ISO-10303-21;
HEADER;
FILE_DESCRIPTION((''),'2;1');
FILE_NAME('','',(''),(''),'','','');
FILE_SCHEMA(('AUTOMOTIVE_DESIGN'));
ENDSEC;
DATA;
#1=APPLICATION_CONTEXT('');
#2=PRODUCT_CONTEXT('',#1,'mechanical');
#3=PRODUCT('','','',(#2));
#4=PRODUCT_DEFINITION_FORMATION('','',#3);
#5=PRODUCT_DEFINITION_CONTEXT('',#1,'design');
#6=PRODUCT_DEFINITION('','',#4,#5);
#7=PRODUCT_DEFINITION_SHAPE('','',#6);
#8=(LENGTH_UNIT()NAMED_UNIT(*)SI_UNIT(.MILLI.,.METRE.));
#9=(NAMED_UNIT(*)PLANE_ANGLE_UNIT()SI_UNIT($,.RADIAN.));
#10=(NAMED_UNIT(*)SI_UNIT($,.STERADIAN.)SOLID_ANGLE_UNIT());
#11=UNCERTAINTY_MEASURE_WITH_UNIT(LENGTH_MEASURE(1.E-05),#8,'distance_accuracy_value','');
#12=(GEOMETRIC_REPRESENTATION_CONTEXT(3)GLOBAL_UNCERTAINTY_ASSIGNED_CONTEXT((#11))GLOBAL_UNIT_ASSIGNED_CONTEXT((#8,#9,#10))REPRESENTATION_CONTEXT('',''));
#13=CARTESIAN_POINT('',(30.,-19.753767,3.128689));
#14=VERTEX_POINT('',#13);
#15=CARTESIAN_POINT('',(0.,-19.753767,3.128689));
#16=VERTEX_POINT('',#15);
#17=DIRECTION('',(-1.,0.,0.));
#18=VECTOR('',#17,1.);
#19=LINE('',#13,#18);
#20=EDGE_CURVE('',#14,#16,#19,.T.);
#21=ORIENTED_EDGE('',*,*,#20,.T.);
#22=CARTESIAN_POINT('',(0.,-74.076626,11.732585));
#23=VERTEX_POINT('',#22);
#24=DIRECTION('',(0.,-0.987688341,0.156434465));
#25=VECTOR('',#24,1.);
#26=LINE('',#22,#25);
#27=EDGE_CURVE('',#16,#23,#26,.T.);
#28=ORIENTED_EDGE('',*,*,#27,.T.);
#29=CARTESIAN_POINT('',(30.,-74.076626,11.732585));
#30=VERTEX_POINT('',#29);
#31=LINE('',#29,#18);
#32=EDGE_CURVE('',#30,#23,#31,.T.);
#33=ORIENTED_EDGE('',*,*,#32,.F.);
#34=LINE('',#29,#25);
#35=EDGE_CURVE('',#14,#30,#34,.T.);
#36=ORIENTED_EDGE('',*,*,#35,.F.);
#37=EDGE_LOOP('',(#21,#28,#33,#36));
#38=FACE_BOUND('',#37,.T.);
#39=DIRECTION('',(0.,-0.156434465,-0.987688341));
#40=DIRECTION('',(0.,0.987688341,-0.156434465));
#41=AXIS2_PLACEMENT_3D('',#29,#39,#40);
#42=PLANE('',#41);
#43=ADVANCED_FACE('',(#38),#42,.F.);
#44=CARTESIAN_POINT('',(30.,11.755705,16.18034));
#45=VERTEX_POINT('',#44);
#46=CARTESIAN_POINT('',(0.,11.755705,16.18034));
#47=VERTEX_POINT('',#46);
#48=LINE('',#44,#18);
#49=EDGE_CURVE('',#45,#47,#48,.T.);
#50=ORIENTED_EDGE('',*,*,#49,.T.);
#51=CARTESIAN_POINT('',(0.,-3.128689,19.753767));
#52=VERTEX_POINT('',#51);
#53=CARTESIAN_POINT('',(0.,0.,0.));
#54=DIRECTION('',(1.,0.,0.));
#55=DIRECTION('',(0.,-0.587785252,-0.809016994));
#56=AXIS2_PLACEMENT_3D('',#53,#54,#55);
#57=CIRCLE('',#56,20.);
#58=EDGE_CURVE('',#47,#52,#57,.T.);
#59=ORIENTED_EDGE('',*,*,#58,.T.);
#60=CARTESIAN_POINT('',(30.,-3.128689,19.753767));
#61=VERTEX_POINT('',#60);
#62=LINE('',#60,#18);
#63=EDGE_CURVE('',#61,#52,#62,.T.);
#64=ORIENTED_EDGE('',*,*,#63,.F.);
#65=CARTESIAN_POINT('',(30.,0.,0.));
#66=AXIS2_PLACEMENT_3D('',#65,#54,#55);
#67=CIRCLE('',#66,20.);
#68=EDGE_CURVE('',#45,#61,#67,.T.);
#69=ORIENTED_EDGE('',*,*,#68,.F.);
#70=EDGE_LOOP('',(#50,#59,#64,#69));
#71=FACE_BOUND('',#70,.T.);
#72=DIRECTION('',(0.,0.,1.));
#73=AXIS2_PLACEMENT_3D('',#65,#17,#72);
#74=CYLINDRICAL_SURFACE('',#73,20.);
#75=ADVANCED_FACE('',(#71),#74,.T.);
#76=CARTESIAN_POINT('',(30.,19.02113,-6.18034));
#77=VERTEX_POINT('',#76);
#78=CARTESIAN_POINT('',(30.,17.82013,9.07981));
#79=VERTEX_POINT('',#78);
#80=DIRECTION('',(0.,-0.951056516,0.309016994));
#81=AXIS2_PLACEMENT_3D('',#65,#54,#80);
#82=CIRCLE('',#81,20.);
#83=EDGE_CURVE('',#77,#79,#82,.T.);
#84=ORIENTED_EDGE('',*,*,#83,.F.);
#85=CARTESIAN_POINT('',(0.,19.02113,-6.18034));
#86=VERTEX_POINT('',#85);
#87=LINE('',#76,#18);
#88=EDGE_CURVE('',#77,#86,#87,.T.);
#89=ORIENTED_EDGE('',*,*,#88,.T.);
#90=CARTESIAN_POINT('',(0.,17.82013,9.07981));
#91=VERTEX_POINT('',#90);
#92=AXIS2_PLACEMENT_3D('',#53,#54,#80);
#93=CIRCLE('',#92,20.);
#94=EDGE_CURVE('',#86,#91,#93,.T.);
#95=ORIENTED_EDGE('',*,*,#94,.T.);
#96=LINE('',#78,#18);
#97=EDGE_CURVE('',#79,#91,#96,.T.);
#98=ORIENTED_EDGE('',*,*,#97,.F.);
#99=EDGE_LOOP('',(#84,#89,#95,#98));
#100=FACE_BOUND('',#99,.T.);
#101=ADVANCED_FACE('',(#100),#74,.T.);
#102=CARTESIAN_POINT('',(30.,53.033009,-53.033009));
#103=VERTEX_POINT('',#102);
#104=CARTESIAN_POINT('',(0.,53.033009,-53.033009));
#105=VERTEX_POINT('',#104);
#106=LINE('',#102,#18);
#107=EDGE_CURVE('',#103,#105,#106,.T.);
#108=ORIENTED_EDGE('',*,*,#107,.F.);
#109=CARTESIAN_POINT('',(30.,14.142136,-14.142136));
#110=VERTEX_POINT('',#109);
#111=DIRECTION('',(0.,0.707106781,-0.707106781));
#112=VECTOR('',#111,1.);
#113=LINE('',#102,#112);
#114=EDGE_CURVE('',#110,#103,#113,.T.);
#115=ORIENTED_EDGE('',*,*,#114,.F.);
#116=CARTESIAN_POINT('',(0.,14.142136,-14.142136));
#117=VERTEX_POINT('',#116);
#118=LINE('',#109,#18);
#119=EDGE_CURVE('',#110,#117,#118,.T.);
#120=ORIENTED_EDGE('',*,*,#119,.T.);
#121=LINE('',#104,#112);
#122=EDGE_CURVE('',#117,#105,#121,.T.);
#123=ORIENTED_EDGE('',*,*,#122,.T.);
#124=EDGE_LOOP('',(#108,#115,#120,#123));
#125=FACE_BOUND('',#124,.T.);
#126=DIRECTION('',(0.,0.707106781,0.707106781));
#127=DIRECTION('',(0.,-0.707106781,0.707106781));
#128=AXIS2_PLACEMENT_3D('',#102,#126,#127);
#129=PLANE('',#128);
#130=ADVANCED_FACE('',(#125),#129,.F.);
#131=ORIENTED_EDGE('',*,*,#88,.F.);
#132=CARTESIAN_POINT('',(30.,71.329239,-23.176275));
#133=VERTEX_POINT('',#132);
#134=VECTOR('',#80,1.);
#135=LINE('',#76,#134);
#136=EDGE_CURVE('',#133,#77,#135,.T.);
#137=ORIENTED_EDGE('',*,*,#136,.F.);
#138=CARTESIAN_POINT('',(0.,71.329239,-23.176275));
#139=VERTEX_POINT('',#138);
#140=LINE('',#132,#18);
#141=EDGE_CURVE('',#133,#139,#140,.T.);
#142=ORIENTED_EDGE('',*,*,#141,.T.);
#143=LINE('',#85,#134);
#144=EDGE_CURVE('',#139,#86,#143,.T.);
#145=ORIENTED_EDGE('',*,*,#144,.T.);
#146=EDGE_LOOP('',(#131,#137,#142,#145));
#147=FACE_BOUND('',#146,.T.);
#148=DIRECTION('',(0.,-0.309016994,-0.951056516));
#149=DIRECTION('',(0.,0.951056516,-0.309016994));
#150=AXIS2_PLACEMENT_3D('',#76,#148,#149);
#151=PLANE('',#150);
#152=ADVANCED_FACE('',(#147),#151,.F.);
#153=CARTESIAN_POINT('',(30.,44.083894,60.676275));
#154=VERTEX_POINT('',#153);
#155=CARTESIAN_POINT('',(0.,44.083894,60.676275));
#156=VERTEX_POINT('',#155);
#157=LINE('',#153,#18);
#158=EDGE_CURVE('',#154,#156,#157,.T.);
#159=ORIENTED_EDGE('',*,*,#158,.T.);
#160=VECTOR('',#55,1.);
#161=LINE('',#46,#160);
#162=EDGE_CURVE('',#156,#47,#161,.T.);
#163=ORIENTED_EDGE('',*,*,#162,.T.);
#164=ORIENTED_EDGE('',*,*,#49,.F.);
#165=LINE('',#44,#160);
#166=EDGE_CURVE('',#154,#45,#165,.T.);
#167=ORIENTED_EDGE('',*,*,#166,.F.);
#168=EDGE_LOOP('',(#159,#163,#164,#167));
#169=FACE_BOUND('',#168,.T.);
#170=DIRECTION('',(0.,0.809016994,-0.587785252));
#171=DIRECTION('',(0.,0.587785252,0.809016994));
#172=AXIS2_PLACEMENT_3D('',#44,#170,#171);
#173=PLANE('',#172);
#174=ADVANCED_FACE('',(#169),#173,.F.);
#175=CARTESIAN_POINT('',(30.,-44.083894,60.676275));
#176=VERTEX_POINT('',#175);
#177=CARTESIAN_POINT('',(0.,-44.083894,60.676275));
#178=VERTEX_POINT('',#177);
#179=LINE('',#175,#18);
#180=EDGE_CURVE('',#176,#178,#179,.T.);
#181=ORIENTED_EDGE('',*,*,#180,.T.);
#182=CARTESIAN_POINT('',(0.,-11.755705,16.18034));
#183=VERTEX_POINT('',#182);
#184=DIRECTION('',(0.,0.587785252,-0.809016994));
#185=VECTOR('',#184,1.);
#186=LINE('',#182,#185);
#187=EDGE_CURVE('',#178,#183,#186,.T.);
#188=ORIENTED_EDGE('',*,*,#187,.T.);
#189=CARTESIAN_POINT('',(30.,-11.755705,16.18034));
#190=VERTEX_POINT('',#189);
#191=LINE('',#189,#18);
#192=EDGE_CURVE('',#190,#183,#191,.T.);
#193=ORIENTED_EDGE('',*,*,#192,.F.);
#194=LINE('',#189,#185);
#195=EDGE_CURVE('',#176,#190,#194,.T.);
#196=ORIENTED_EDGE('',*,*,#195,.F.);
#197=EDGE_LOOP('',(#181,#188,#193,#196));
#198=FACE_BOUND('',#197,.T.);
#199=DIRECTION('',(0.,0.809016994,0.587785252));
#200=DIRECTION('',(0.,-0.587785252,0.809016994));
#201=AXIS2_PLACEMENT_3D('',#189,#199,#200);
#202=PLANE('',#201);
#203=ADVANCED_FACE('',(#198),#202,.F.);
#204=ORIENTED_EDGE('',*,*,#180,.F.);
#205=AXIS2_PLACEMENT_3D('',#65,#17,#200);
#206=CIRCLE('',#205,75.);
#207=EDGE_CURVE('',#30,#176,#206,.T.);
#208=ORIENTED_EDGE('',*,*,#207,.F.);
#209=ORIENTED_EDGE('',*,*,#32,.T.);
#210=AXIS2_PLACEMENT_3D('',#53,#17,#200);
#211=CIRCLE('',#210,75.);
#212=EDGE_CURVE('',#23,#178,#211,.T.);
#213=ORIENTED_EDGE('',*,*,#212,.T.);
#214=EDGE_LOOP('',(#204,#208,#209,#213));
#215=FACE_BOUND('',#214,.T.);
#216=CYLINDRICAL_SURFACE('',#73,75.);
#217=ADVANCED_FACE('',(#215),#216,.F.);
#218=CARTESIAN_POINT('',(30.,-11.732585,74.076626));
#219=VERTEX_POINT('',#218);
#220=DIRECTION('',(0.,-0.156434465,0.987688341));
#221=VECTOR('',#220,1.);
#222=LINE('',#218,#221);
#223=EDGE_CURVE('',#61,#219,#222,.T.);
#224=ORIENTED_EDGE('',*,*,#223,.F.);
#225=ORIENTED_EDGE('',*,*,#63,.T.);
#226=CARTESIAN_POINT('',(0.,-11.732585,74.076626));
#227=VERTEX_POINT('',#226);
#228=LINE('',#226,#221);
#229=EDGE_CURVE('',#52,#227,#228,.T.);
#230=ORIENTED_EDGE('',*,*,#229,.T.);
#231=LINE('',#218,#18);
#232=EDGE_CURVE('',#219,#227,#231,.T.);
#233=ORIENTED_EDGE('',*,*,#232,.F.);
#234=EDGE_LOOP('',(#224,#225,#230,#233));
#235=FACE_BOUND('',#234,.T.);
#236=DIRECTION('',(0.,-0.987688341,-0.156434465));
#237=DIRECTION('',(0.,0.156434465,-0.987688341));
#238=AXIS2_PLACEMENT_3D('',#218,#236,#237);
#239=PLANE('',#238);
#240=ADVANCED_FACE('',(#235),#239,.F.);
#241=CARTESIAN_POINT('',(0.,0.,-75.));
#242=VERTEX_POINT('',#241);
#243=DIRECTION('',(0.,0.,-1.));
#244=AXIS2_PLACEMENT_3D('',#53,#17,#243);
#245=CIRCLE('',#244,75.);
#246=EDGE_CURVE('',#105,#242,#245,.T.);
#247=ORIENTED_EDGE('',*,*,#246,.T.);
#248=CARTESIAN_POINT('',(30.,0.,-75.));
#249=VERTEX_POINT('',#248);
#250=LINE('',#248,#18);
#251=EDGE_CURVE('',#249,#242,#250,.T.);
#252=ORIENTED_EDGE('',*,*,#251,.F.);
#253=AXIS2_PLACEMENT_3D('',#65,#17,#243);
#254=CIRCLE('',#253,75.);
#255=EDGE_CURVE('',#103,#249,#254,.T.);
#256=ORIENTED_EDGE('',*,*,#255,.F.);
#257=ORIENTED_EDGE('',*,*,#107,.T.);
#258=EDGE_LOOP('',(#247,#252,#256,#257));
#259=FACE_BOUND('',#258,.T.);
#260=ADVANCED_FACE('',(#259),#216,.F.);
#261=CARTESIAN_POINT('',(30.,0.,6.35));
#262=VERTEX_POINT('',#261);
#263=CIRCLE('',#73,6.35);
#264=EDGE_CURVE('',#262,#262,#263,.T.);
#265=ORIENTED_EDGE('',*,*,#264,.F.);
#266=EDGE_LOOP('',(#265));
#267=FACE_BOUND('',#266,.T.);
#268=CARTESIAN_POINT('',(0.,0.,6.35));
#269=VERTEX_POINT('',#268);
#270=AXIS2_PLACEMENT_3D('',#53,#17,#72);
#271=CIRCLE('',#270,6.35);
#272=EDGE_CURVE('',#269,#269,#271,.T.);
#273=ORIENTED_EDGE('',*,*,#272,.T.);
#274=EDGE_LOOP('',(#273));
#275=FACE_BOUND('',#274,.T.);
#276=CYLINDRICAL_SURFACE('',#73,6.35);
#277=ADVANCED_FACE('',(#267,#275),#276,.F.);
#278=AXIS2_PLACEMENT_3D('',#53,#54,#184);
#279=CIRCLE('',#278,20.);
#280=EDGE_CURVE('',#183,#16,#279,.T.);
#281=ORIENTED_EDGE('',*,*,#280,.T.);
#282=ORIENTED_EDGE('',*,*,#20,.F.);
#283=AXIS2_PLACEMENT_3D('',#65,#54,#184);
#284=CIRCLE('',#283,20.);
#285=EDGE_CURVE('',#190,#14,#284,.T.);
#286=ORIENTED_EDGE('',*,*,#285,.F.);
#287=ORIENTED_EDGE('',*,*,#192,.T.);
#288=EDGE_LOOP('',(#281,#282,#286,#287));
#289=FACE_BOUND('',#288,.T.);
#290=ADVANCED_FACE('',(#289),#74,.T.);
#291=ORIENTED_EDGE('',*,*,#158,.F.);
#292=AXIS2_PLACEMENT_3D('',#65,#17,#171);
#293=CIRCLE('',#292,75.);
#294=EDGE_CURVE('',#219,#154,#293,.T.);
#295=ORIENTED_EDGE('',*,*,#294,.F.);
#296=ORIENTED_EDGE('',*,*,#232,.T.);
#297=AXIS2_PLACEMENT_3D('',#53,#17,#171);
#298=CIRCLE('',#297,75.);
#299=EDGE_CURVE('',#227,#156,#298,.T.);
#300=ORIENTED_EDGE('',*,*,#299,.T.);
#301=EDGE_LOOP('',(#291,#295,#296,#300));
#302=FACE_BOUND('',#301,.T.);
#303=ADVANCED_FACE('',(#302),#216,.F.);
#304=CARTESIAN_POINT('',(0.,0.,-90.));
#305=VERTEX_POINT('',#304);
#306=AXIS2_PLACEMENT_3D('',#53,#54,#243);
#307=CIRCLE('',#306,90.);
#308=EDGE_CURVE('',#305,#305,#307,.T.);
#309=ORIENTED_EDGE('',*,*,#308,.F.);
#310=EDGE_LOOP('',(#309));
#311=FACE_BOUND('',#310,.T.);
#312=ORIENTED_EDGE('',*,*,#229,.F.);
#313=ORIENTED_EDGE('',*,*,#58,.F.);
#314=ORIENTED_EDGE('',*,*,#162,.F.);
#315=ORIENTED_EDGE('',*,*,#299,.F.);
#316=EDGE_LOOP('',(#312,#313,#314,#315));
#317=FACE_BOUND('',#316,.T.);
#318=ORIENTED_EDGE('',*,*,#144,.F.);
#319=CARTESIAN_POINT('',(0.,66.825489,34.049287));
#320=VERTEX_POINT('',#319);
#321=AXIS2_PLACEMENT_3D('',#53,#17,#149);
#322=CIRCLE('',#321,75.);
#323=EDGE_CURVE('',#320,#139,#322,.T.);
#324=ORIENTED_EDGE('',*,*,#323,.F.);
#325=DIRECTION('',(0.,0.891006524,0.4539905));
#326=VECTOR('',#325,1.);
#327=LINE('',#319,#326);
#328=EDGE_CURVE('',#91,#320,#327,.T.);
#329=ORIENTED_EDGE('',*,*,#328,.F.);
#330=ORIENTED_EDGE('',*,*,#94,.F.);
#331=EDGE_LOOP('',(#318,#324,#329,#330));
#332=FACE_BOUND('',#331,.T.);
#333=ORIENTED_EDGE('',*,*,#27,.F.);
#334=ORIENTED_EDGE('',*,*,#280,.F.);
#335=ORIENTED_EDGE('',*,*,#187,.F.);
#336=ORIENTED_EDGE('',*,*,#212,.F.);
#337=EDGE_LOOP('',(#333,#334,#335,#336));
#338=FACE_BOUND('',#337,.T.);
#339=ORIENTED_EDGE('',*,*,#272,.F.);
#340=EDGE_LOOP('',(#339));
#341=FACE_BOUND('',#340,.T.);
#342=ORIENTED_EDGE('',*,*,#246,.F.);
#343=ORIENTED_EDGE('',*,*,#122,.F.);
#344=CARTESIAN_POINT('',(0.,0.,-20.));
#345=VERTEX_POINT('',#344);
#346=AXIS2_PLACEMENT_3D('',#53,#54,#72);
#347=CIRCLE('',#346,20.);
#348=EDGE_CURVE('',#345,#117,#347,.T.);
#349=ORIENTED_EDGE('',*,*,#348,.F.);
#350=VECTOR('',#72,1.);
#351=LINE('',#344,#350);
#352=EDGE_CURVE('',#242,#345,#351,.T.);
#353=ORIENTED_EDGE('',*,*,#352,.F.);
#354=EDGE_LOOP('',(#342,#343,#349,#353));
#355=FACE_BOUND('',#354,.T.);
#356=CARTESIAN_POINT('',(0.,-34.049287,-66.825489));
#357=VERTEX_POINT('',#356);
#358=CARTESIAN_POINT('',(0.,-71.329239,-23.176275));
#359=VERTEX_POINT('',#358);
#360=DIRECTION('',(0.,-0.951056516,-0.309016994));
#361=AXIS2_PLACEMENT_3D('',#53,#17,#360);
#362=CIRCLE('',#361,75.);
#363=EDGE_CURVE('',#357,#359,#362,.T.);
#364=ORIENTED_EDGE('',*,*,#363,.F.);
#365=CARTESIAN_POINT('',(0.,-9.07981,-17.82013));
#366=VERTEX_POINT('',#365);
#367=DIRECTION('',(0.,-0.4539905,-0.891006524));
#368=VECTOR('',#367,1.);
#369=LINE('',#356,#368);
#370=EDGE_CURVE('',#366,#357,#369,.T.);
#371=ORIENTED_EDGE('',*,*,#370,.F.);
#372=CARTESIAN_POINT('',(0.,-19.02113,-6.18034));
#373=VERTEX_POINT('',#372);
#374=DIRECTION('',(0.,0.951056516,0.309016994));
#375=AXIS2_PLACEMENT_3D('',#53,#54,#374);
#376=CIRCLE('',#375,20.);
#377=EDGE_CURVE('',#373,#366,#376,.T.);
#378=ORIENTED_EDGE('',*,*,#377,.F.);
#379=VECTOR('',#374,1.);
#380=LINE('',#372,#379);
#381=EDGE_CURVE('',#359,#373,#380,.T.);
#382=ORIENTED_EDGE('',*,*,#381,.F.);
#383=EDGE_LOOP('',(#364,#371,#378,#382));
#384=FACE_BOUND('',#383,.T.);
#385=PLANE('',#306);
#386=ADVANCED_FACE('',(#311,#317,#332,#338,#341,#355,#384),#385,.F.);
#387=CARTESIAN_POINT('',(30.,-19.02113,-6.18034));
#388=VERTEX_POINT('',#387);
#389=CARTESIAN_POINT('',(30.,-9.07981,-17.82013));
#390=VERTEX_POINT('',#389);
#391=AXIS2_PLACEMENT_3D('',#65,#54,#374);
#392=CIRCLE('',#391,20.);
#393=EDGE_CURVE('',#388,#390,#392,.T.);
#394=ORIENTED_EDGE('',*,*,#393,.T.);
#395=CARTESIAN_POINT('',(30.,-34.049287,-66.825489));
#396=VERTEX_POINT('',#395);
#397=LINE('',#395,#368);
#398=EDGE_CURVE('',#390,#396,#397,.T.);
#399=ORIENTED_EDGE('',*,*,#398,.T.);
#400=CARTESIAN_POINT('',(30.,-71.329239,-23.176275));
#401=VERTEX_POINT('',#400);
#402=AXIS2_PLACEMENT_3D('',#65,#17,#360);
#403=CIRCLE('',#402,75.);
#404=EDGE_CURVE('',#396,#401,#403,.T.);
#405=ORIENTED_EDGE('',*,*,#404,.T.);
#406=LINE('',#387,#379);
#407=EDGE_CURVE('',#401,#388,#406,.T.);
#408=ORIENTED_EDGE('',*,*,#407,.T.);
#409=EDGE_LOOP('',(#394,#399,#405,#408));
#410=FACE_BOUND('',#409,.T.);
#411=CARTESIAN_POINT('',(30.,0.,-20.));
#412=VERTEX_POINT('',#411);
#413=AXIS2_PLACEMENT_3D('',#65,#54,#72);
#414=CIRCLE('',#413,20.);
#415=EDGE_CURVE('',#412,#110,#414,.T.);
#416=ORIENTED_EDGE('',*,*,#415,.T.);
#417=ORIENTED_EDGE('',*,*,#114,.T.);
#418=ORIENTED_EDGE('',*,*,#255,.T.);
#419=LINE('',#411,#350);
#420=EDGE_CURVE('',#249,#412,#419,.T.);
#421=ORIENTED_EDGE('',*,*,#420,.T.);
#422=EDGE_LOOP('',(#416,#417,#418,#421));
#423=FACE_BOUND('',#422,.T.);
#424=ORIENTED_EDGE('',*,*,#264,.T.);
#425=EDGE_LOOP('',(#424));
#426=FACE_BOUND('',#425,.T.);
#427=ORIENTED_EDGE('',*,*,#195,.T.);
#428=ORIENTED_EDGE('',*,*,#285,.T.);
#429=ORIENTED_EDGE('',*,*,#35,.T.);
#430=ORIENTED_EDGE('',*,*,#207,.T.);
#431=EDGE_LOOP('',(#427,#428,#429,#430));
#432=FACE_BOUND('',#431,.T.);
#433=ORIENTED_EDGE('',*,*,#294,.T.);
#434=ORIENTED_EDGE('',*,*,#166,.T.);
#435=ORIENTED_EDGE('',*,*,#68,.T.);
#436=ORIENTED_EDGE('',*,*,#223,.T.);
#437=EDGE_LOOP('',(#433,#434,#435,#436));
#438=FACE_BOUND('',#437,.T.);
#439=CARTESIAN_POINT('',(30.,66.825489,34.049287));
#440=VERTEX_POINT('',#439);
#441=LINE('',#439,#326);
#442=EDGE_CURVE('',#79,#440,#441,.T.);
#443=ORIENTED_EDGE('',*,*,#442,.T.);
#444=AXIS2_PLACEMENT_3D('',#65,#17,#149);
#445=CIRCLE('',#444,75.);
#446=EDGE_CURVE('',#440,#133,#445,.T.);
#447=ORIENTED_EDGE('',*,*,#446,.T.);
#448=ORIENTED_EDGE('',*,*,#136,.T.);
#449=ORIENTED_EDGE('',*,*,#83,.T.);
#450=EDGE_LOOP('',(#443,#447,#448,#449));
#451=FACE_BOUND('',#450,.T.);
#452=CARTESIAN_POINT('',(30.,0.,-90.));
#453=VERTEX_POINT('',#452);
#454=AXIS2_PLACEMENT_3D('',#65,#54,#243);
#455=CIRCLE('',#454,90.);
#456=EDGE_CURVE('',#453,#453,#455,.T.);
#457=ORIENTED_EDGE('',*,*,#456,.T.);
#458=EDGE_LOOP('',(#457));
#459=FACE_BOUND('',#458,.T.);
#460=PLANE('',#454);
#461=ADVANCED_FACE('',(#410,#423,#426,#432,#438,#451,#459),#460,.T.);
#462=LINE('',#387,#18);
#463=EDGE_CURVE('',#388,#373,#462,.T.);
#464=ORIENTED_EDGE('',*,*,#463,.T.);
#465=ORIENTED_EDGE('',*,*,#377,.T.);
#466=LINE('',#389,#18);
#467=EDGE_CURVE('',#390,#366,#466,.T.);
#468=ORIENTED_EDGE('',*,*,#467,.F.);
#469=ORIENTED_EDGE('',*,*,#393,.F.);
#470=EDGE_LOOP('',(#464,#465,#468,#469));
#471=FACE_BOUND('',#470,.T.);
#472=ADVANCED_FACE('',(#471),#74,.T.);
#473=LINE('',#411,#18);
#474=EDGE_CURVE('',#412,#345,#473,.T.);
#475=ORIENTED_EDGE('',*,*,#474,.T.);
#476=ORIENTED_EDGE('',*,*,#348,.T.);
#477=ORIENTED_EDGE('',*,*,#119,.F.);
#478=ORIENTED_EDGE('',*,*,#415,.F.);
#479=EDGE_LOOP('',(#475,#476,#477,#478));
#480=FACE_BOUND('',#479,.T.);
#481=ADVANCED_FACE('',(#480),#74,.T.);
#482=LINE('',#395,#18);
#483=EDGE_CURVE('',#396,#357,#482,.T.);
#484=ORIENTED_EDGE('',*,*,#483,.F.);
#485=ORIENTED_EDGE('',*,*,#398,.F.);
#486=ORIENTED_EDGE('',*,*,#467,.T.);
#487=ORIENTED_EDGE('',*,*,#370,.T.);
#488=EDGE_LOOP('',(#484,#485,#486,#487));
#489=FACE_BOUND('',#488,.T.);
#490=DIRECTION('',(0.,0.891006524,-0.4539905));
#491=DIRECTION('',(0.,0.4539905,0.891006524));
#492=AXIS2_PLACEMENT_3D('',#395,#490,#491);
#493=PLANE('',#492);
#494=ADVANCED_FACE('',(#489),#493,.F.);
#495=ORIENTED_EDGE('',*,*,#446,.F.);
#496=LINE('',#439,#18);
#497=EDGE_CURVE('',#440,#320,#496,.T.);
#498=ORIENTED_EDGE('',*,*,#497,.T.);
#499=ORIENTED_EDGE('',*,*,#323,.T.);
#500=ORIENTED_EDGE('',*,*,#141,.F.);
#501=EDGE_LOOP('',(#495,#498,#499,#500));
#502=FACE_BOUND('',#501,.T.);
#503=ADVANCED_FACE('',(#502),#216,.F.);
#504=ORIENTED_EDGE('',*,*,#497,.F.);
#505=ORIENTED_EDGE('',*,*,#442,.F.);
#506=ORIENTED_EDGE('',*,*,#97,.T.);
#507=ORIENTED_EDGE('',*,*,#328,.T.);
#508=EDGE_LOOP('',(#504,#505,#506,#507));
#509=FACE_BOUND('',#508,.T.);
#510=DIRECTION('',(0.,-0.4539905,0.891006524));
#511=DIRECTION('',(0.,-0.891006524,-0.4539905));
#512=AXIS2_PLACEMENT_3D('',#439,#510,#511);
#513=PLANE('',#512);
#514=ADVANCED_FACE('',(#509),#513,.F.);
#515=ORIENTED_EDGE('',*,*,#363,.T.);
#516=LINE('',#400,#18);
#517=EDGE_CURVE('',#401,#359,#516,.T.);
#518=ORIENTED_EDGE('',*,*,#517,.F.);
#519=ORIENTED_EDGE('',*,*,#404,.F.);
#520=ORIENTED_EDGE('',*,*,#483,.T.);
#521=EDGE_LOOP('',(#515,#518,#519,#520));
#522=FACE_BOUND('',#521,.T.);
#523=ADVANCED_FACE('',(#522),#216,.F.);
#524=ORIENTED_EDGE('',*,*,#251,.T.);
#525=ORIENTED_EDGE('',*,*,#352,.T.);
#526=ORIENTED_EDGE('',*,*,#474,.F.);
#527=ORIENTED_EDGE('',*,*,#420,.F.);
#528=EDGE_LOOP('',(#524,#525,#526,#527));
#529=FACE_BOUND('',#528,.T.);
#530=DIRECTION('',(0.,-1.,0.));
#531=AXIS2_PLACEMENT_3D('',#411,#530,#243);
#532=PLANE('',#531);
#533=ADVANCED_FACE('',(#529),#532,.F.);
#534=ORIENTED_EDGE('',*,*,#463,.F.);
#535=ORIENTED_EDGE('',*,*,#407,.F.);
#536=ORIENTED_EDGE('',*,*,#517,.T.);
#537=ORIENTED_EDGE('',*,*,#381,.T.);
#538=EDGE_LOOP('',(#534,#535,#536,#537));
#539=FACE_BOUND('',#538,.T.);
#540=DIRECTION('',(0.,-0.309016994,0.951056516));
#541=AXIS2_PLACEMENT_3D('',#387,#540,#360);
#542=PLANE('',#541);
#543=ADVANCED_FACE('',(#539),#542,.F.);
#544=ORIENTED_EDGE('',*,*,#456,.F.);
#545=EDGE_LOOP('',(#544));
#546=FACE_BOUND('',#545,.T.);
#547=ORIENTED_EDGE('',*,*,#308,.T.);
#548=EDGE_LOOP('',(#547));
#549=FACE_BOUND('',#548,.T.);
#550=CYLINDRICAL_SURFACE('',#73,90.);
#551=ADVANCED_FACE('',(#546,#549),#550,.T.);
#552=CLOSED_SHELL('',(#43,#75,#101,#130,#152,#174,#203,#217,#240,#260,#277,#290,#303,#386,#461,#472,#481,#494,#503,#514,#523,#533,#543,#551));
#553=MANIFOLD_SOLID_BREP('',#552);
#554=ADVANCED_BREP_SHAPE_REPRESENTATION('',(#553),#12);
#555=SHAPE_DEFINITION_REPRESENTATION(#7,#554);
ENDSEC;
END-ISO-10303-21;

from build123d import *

# Parameters (mm, degrees)
SKETCH1_R           = 90
BOSS_EXTRUDE1_DEPTH = 30
SKETCH2_R           = 6.35
CUT_EXTRUDE2_DEPTH  = 131.766968306
CUT_EXTRUDE3_DEPTH  = 30
CIRPATTERN1_COUNT   = 5


with BuildPart() as part:
    # Sketch1 → Boss-Extrude1 (new body)
    with BuildSketch(Plane(origin=(0, 0, 0), x_dir=(0, 0, -1), z_dir=(1, 0, 0))):
        Circle(SKETCH1_R)
    extrude(amount=BOSS_EXTRUDE1_DEPTH)

    # Sketch2 → Cut-Extrude2 (cut, through all)
    with BuildSketch(Plane.ZY):
        Circle(SKETCH2_R)
    extrude(amount=-CUT_EXTRUDE2_DEPTH, mode=Mode.SUBTRACT)

    # Sketch3 → Cut-Extrude3 (cut)
    with BuildSketch(Plane.ZY):
        with BuildLine():
            Line((-20, 0), (-75, 0))
            ThreePointArc((-75, 0), (-69.290964938, 28.701257427), (-53.033008589, 53.033008589))
            Line((-53.033008589, 53.033008589), (-14.142135624, 14.142135624))
            ThreePointArc((-14.142135624, 14.142135624), (-18.47759065, 7.653668647), (-20, 0))
        make_face()
    cut_extrude3 = extrude(amount=-CUT_EXTRUDE3_DEPTH, mode=Mode.SUBTRACT)

    # CirPattern1: Cut-Extrude3 ×5 about axis
    cirpattern1_axis = Axis((0, 0, 0), (1, 0, 0))
    for i in range(1, CIRPATTERN1_COUNT):
        add(cut_extrude3.rotate(cirpattern1_axis, i * 360 / CIRPATTERN1_COUNT), mode=Mode.SUBTRACT)


solid = part.part
